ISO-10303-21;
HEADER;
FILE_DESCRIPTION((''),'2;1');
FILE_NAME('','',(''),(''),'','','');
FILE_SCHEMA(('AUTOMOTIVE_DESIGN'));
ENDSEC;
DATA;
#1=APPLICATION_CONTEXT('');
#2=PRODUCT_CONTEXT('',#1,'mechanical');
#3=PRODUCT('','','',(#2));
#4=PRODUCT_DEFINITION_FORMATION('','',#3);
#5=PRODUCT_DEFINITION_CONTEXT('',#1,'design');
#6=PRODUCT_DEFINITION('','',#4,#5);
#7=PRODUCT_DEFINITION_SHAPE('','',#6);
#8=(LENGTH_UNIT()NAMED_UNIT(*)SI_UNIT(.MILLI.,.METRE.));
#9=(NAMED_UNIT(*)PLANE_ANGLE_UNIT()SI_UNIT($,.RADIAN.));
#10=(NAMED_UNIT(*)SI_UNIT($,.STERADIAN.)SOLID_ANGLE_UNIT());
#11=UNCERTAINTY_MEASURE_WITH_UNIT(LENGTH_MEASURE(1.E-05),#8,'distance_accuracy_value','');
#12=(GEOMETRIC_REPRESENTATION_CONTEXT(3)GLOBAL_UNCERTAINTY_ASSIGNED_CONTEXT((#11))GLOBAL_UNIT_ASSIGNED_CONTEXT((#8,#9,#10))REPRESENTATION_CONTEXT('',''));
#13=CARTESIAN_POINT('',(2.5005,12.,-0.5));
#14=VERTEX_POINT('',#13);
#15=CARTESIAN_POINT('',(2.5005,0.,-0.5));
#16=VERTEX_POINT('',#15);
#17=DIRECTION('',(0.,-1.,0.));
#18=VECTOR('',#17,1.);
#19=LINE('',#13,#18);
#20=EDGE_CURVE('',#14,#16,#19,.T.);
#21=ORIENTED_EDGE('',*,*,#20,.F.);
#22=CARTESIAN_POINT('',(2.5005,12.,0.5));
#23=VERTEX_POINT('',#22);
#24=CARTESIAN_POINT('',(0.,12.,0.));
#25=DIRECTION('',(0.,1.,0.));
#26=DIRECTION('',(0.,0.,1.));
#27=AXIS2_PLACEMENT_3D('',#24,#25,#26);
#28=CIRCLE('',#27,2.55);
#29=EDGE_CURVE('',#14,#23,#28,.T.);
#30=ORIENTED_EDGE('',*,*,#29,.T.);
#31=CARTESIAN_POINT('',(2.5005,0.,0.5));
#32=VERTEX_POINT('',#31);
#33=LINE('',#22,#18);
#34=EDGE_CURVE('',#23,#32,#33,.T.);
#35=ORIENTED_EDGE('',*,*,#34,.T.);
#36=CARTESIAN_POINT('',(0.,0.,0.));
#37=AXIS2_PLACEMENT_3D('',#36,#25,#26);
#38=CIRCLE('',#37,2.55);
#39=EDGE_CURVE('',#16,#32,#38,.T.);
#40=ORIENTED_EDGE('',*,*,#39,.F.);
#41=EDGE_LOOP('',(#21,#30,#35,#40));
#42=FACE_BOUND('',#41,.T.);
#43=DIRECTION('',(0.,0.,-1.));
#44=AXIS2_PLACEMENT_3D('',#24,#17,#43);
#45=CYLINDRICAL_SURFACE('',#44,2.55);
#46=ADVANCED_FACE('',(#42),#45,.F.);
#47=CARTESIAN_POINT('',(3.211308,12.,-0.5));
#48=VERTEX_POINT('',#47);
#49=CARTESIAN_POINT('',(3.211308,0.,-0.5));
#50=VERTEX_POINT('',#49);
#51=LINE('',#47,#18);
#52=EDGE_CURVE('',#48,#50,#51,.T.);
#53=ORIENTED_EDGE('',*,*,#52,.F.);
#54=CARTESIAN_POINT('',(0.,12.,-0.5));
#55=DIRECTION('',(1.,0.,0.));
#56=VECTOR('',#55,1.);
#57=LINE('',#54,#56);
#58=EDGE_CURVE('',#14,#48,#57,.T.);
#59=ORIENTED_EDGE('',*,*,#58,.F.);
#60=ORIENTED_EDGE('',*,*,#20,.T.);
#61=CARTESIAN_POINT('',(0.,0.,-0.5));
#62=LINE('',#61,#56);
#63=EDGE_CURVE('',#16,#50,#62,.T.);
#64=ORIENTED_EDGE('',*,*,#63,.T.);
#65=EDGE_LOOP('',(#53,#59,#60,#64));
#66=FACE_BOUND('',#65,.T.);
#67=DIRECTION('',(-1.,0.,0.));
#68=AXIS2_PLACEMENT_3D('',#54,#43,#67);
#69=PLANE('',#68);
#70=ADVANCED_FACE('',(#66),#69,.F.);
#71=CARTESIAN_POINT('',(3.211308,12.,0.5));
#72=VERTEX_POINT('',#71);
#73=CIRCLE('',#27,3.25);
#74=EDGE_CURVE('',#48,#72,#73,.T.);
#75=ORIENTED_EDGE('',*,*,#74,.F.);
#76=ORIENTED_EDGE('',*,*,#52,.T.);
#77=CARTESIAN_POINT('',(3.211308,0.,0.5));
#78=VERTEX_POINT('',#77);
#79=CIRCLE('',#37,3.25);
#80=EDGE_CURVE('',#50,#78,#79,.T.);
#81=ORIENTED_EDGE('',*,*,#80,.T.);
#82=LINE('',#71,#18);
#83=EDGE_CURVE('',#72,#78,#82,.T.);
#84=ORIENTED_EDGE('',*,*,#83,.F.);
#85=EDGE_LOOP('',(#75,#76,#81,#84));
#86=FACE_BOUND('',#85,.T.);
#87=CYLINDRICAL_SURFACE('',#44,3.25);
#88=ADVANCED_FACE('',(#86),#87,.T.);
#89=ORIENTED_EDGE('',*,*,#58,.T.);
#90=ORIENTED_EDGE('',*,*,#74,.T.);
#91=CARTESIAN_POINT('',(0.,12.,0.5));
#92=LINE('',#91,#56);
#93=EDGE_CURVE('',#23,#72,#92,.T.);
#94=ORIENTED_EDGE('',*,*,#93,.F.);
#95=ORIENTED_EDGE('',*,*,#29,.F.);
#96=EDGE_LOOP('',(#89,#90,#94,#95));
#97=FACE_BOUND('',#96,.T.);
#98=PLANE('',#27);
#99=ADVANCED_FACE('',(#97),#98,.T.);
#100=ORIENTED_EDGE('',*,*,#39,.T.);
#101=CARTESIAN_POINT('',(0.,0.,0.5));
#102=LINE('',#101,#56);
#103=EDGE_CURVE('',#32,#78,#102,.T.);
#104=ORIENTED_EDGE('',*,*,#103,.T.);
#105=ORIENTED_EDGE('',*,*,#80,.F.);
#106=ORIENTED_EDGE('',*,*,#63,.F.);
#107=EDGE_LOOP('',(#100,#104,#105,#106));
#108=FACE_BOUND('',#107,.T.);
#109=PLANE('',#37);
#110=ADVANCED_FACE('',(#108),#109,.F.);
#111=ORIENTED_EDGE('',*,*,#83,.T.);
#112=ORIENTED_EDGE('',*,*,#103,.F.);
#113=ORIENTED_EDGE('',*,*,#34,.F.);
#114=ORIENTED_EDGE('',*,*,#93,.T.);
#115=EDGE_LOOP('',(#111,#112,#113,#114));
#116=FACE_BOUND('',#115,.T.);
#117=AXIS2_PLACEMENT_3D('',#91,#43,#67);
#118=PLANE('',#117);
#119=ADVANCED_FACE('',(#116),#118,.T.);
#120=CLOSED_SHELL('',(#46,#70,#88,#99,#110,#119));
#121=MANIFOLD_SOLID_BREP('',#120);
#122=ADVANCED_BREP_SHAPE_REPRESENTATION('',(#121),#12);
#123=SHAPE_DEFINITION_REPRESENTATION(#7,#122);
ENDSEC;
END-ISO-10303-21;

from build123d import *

# Parameters (mm, degrees)
BOSS_EXTRUDE1_DEPTH = 12


with BuildPart() as part:
    # Sketch1 → Boss-Extrude1 (new body)
    with BuildSketch(Plane(origin=(0, 0, 0), x_dir=(1, 0, 0), z_dir=(0, 1, 0))):
        with BuildLine():
            ThreePointArc((2.50049995, -0.5), (-2.55, 0), (2.50049995, 0.5))
            Line((2.50049995, 0.5), (3.211308145, 0.5))
            ThreePointArc((3.211308145, 0.5), (-3.25, 0), (3.211308145, -0.5))
            Line((3.211308145, -0.5), (2.50049995, -0.5))
        make_face()
    extrude(amount=BOSS_EXTRUDE1_DEPTH)


solid = part.part
